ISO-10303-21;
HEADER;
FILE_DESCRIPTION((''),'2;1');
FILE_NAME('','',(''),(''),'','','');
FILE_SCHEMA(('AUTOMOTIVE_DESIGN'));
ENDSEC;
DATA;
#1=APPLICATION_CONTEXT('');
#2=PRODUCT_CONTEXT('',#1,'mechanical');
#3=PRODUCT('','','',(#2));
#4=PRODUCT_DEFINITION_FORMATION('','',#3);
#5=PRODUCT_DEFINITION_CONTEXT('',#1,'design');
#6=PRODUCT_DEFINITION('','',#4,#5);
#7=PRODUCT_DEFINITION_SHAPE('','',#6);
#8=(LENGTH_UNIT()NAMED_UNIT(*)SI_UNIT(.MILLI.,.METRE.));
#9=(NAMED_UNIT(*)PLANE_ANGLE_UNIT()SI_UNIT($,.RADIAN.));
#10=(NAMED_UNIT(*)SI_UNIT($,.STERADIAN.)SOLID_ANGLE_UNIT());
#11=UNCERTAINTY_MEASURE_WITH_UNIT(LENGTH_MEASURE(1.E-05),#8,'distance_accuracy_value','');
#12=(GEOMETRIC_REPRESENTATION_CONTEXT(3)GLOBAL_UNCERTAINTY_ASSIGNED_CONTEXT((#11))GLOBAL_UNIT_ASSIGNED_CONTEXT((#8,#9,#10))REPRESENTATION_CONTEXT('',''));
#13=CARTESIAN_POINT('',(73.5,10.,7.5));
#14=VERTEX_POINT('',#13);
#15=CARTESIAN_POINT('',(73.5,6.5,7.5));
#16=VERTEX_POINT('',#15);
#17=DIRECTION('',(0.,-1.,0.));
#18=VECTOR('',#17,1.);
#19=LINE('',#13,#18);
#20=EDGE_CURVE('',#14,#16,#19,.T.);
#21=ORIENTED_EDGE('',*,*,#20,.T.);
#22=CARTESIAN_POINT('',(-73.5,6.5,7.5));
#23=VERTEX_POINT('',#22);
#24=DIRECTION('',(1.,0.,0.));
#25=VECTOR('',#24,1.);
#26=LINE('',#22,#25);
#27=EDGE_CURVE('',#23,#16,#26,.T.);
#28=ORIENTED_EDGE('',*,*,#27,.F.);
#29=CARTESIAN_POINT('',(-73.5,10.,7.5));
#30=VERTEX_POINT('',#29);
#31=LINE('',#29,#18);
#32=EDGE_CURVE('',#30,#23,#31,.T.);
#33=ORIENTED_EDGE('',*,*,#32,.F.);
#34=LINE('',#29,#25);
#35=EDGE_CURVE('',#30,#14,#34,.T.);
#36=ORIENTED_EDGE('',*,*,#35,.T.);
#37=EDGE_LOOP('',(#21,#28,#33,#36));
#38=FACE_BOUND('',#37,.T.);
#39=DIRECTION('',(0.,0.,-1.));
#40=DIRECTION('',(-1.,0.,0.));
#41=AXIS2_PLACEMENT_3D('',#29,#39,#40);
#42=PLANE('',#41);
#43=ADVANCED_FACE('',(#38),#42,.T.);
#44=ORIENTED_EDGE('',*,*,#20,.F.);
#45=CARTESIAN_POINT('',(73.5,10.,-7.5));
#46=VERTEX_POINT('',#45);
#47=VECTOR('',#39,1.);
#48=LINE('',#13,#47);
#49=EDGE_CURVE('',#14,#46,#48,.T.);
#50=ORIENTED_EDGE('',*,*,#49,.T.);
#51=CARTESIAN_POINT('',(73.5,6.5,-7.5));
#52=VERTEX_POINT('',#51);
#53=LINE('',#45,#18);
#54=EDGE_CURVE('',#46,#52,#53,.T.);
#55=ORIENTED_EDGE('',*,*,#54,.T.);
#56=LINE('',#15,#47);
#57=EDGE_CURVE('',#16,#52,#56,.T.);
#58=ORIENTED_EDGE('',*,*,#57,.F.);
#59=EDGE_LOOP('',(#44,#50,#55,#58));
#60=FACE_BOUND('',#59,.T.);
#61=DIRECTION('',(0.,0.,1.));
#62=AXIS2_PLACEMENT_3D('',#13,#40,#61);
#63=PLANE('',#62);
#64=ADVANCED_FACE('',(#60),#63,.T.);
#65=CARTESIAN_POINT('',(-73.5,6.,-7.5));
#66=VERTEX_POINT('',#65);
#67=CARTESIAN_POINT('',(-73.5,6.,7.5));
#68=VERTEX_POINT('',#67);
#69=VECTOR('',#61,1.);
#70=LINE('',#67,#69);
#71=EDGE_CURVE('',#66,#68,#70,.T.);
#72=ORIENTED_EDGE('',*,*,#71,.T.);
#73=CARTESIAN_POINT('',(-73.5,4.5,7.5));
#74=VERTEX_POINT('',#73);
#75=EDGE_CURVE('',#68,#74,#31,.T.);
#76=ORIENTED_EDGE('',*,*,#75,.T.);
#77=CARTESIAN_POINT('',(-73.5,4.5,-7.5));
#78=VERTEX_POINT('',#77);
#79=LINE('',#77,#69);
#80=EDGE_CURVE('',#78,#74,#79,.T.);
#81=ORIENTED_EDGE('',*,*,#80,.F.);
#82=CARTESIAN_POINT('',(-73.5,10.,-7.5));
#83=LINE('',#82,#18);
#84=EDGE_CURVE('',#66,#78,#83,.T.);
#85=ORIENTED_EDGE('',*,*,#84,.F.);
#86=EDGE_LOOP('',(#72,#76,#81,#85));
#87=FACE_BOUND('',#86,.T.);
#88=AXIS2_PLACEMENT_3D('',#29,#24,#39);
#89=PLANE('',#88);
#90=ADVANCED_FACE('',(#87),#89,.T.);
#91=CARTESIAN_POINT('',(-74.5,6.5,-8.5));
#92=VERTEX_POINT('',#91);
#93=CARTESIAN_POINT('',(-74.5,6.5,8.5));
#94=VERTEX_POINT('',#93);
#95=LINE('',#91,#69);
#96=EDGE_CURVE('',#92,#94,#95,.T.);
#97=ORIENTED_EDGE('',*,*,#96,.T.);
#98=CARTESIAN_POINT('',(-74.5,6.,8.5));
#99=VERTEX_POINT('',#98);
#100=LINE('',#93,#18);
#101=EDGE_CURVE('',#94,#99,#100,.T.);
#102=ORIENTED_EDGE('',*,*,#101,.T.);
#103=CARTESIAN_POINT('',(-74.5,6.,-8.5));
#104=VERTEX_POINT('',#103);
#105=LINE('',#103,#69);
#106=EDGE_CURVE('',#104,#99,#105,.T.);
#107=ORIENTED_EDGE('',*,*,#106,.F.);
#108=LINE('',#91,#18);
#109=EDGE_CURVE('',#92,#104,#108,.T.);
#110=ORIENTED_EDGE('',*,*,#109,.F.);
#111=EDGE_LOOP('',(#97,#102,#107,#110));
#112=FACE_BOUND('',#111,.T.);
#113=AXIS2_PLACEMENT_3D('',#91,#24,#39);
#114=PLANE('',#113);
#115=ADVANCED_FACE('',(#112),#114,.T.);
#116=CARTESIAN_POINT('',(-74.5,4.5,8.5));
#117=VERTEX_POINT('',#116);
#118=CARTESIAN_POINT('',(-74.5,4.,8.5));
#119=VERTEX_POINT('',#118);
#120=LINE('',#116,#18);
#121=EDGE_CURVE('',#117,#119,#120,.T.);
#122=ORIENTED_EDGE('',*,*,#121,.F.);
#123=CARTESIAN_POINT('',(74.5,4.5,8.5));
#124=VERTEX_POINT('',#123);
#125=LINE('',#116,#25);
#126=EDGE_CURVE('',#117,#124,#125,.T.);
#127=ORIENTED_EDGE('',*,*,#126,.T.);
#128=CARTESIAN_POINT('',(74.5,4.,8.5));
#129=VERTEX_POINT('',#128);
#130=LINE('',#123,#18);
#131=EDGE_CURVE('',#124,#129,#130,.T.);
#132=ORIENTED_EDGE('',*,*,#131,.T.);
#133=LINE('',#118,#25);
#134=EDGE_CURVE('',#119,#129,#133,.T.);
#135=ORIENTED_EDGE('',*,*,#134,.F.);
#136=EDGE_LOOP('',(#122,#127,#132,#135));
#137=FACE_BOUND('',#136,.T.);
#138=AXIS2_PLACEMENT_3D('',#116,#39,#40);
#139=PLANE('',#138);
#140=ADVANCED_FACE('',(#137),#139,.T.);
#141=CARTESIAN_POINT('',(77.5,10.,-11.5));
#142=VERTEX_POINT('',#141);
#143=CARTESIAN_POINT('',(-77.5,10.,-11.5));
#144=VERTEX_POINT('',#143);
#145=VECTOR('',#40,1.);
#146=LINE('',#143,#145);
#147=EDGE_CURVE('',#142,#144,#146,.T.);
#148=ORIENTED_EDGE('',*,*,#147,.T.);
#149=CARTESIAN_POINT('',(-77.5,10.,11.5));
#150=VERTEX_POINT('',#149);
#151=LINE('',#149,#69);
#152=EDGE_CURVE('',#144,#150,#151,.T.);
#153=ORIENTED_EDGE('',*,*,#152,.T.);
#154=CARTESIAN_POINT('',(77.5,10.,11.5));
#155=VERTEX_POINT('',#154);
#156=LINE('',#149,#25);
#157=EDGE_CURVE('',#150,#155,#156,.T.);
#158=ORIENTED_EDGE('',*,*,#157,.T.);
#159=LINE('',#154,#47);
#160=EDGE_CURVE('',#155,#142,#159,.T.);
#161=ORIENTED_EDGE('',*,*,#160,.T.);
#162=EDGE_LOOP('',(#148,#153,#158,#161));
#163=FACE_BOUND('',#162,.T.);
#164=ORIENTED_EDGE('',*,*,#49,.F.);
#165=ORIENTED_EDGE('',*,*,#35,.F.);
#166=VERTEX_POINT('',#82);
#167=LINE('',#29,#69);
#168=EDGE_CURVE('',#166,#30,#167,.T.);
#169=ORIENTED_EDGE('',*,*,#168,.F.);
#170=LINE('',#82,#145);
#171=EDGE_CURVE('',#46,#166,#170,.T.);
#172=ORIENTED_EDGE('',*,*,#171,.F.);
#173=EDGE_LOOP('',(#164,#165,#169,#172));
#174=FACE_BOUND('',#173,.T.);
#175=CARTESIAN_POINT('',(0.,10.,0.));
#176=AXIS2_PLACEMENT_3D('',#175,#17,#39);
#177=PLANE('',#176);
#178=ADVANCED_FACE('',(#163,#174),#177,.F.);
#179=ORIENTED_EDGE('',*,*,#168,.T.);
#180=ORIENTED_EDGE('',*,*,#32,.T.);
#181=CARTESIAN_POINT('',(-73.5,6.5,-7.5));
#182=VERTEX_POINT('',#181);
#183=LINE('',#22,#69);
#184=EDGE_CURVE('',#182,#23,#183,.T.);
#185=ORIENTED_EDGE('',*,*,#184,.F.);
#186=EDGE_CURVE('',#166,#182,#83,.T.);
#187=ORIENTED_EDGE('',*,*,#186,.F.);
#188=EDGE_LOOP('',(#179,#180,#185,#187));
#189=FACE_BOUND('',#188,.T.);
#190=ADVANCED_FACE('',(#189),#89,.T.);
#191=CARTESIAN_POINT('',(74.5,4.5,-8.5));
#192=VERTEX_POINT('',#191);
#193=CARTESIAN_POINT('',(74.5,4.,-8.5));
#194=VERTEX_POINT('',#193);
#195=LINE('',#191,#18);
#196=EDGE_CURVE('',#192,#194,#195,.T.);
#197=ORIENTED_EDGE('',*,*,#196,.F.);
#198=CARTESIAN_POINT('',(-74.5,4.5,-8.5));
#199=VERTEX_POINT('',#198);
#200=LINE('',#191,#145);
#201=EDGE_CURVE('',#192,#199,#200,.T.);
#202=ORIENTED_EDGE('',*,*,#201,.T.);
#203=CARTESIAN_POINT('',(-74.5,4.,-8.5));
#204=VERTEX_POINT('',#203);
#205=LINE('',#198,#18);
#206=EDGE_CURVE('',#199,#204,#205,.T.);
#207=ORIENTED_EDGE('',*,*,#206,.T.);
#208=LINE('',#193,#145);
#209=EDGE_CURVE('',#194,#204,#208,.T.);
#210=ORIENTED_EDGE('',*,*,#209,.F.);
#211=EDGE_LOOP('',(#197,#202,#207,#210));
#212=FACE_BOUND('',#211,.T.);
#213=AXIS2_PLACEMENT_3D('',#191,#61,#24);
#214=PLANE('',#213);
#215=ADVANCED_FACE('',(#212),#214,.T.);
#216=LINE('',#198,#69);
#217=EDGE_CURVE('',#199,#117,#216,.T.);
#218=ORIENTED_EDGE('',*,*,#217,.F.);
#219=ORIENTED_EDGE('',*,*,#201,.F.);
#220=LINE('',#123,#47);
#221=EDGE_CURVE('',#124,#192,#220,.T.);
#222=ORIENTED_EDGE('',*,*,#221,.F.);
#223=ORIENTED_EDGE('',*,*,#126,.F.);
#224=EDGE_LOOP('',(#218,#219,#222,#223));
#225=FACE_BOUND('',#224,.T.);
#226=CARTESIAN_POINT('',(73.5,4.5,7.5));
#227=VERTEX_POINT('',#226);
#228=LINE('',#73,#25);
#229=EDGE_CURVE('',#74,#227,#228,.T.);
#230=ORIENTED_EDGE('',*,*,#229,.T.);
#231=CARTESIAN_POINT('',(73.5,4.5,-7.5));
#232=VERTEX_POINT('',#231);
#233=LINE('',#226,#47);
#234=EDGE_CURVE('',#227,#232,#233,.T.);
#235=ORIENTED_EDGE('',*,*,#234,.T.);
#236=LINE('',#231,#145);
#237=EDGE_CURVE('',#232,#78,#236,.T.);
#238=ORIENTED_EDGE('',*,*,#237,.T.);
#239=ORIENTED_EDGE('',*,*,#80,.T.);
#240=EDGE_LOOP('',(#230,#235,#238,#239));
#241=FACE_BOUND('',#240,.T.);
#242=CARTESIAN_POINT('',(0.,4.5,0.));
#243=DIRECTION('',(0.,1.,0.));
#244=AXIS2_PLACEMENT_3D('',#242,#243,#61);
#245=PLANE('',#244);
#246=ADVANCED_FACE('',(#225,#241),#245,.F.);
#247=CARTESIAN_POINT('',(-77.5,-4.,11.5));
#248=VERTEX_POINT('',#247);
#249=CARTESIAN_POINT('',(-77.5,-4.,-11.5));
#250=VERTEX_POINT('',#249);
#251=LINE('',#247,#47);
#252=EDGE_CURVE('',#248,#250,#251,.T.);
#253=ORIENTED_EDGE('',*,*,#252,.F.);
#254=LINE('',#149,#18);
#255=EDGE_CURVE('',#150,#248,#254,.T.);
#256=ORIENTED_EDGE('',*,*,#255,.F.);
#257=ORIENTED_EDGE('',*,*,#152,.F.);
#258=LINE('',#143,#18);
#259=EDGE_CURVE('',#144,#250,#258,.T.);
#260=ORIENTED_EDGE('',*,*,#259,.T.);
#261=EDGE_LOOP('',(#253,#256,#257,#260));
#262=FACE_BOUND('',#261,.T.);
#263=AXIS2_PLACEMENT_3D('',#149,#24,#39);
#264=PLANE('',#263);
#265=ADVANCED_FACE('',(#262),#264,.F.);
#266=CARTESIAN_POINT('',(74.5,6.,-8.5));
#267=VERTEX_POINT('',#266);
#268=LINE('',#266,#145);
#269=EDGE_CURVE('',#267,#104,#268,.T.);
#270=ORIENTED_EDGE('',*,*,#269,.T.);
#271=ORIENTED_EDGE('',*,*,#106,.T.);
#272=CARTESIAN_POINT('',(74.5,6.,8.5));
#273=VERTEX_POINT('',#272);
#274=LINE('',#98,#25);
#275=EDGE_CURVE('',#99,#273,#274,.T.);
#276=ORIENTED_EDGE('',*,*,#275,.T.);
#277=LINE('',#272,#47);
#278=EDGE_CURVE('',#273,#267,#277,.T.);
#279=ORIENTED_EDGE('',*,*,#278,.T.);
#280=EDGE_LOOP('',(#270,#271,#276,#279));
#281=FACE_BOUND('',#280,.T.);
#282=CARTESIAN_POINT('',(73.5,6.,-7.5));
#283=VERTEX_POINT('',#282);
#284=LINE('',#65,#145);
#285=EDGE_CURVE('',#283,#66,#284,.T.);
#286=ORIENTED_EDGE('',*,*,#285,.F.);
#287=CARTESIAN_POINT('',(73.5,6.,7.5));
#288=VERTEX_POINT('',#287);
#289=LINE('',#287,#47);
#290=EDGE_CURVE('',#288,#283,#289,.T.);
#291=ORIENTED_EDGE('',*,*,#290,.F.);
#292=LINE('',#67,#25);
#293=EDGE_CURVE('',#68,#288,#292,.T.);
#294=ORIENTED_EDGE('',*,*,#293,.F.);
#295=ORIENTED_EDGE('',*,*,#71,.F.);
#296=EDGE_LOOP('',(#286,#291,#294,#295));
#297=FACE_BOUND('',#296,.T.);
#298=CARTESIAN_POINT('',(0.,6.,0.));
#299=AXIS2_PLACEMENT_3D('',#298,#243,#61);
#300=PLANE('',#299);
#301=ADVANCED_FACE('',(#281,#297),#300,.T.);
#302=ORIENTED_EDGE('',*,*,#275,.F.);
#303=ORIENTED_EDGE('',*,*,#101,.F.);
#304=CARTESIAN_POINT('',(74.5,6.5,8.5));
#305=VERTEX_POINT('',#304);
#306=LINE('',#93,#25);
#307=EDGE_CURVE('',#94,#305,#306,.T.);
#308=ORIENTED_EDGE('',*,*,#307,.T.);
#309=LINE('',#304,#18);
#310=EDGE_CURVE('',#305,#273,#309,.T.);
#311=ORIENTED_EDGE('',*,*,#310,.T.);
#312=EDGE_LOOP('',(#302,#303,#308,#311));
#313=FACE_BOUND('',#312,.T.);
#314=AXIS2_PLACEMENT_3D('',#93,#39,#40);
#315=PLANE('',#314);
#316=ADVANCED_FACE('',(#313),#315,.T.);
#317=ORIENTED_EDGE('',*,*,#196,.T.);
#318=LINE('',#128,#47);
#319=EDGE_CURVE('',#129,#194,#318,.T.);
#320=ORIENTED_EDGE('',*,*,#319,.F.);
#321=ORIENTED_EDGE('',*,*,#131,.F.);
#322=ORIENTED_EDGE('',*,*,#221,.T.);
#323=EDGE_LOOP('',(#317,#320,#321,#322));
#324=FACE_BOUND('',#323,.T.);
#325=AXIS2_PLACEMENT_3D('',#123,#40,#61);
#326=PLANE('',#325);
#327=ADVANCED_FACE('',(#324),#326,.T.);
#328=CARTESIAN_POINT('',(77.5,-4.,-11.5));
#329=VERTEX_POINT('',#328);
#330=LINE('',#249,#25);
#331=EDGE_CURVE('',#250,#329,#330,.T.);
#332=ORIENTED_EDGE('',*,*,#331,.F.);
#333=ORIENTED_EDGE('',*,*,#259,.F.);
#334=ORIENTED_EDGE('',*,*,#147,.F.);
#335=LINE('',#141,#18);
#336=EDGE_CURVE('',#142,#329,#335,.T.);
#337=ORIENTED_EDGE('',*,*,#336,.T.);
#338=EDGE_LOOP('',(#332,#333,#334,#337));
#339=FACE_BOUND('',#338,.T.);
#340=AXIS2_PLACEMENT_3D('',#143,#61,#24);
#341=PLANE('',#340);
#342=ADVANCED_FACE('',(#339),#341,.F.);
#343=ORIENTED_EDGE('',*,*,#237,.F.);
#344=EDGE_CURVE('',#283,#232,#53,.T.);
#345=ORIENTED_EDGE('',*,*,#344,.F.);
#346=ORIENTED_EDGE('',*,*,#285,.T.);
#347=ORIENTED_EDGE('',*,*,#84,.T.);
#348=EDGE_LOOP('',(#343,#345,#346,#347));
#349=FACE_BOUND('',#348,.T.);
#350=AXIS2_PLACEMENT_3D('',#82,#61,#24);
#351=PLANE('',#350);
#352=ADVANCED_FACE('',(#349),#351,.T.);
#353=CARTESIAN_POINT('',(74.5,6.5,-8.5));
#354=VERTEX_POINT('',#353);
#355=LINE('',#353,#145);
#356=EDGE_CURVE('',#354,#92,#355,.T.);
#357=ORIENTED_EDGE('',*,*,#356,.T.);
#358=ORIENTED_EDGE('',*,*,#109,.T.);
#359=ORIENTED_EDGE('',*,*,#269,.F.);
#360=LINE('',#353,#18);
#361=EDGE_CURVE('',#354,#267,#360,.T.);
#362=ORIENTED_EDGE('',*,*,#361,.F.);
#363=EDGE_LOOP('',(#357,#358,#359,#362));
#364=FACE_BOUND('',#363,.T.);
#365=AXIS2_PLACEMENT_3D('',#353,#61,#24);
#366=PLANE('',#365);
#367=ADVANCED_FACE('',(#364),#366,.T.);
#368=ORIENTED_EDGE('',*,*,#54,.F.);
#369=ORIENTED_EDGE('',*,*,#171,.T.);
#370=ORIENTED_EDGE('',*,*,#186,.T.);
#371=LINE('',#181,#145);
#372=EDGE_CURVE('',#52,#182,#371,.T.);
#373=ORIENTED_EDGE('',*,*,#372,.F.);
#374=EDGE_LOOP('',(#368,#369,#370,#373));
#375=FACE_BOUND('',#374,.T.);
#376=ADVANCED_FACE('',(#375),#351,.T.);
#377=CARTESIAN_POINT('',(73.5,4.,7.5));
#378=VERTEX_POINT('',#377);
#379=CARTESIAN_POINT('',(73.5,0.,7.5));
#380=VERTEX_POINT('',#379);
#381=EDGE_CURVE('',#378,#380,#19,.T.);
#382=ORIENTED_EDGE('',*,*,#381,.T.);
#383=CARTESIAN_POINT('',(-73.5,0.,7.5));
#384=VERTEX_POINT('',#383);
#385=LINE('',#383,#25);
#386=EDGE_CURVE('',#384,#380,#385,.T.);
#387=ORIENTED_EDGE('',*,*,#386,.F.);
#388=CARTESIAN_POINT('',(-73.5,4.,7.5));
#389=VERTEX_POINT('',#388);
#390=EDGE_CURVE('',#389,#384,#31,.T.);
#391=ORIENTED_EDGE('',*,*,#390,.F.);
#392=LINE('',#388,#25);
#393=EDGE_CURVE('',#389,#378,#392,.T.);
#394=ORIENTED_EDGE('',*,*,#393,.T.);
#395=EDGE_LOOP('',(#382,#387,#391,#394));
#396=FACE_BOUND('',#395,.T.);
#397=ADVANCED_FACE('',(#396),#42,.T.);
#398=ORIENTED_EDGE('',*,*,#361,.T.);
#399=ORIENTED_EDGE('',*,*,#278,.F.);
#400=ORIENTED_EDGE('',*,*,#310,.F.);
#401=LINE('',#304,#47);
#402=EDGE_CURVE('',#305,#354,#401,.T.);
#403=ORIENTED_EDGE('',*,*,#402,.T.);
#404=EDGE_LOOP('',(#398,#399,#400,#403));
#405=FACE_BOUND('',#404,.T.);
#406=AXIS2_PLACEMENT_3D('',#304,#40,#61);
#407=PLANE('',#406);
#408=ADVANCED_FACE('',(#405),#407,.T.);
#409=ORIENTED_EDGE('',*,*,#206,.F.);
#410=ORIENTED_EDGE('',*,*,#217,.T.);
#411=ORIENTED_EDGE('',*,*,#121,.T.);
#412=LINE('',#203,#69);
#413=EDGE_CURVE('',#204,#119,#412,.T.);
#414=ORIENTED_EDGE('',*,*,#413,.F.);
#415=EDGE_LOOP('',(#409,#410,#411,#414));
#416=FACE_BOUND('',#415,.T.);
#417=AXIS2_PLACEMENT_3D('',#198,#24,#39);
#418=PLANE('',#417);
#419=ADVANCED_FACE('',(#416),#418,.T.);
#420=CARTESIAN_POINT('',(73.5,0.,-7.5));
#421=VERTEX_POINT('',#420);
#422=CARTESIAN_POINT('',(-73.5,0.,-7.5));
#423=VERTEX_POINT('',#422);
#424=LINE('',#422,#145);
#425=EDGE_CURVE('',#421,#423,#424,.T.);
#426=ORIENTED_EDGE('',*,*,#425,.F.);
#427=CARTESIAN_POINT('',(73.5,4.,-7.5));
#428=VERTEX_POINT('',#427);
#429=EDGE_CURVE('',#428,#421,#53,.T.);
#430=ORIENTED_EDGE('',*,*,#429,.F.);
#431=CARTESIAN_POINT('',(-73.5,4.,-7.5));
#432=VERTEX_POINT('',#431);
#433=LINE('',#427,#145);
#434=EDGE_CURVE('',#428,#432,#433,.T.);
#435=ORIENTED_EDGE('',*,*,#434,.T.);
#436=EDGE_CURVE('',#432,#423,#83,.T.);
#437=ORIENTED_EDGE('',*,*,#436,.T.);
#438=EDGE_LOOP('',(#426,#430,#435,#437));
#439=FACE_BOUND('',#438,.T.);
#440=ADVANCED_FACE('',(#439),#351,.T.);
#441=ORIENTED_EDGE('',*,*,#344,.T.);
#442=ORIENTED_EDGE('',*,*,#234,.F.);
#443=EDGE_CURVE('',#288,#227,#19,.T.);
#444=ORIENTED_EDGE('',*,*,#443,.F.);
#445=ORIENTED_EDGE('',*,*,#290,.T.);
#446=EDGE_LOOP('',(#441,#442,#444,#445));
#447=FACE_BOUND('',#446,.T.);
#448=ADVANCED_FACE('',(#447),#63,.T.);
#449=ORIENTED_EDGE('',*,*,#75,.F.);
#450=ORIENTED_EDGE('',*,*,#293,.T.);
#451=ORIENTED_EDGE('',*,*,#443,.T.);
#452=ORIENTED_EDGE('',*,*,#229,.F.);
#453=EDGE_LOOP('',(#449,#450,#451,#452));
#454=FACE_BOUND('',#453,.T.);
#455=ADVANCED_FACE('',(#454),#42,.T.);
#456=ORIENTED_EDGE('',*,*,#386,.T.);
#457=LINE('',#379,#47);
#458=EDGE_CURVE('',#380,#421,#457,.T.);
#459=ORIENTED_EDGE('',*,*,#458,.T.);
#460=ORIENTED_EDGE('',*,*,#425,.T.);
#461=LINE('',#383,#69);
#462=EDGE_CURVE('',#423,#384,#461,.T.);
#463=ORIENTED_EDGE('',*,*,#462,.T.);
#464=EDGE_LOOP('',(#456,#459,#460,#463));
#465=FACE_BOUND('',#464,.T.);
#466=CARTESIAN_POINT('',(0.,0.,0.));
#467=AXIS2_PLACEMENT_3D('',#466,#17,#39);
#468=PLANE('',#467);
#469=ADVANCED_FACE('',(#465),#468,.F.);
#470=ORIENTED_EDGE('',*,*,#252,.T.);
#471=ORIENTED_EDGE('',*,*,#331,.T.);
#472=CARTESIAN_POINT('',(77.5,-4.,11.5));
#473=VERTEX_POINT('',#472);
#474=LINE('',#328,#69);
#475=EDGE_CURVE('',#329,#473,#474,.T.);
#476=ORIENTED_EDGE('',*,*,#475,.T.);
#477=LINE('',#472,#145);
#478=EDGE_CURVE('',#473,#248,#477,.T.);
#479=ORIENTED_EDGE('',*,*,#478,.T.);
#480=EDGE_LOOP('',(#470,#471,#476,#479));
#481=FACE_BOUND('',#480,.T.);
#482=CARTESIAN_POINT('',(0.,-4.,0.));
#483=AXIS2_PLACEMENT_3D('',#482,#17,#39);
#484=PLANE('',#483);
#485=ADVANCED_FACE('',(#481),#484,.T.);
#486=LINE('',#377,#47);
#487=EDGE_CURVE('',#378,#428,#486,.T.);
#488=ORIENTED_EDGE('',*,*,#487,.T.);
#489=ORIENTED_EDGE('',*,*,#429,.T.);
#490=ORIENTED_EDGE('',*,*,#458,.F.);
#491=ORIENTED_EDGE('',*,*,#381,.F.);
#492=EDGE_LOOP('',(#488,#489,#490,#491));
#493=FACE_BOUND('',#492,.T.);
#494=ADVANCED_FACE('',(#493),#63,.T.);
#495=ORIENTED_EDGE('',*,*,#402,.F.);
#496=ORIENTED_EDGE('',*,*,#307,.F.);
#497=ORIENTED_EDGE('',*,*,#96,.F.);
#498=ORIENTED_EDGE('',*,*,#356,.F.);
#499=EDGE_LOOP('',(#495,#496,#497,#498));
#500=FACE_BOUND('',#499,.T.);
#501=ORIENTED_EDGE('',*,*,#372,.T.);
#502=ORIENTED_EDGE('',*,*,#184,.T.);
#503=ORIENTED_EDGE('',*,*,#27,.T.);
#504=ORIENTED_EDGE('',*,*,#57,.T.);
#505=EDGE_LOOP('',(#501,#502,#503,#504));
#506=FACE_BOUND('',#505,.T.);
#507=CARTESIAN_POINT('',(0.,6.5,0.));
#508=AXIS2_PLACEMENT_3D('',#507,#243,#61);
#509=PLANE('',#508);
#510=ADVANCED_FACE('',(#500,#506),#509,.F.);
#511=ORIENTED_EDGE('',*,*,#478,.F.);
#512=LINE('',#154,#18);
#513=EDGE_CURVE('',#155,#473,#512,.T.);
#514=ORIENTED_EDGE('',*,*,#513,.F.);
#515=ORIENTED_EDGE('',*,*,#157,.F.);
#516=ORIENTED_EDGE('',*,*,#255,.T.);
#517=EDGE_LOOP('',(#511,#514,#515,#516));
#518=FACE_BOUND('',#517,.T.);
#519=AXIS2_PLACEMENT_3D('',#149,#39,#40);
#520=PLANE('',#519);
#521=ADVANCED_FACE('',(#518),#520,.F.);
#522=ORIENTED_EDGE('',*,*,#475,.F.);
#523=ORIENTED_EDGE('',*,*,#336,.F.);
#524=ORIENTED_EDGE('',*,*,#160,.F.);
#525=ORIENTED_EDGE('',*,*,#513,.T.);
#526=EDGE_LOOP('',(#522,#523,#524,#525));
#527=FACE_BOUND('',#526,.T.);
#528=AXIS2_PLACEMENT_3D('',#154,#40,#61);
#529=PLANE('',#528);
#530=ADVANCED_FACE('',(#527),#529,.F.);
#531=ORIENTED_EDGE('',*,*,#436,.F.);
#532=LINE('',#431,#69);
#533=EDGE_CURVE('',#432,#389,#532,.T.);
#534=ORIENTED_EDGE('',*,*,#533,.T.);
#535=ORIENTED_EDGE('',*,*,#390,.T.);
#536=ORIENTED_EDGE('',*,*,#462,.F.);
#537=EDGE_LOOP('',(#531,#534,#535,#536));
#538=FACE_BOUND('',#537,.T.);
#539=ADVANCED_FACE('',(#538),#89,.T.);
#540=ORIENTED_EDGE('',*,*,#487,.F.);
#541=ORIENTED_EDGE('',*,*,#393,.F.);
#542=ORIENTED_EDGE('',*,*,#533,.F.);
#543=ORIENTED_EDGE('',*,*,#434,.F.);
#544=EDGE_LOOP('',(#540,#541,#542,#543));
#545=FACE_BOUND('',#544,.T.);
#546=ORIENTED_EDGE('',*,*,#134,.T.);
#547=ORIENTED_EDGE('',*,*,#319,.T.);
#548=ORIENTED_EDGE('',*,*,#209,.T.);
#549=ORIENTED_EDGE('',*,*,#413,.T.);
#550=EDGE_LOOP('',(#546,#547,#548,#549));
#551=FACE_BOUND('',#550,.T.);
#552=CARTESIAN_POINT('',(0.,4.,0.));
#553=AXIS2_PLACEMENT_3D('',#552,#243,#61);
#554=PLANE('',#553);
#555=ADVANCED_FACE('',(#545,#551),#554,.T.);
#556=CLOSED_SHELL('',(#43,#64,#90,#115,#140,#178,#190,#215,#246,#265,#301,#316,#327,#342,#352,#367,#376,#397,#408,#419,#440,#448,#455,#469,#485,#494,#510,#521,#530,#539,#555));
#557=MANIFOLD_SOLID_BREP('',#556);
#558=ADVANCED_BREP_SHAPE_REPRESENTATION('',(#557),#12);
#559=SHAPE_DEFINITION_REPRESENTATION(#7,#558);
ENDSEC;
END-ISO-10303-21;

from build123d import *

# Parameters (mm, degrees)
SKIZZE1_W                       = 155
SKIZZE1_H                       = 23
SKIZZE1_W_2                     = 147
SKIZZE1_H_2                     = 15
AUFSATZ_LINEAR_AUSTRAGEN1_DEPTH = 10
SKIZZE3_W                       = 155
SKIZZE3_H                       = 23
AUFSATZ_LINEAR_AUSTRAGEN3_DEPTH = 4
SKIZZE4_W                       = 149
SKIZZE4_H                       = 17
SKIZZE4_W_2                     = 147
SKIZZE4_H_2                     = 15
SCHNITT_LINEAR_AUSTRAGEN1_DEPTH = 0.5
SKIZZE5_W                       = 149
SKIZZE5_H                       = 17
SCHNITT_LINEAR_AUSTRAGEN2_DEPTH = 0.5


with BuildPart() as part:
    # Skizze1 → Aufsatz-Linear austragen1 (new body)
    with BuildSketch(Plane(origin=(0, 0, 0), x_dir=(1, 0, 0), z_dir=(0, 1, 0))):
        Rectangle(SKIZZE1_W, SKIZZE1_H)
        Rectangle(SKIZZE1_W_2, SKIZZE1_H_2, mode=Mode.SUBTRACT)
    extrude(amount=AUFSATZ_LINEAR_AUSTRAGEN1_DEPTH)

    # Skizze3 → Aufsatz-Linear austragen3 (add)
    with BuildSketch(Plane.XZ):
        Rectangle(SKIZZE3_W, SKIZZE3_H)
    extrude(amount=AUFSATZ_LINEAR_AUSTRAGEN3_DEPTH)

    # Skizze4 → Schnitt-Linear austragen1 (cut)
    with BuildSketch(Plane(origin=(0, 4, 0), x_dir=(1, 0, 0), z_dir=(0, 1, 0))):
        Rectangle(SKIZZE4_W, SKIZZE4_H)
        Rectangle(SKIZZE4_W_2, SKIZZE4_H_2, mode=Mode.SUBTRACT)
    extrude(amount=SCHNITT_LINEAR_AUSTRAGEN1_DEPTH, mode=Mode.SUBTRACT)

    # Skizze5 → Schnitt-Linear austragen2 (cut)
    with BuildSketch(Plane(origin=(0, 6, 0), x_dir=(1, 0, 0), z_dir=(0, 1, 0))):
        Rectangle(SKIZZE5_W, SKIZZE5_H)
    extrude(amount=SCHNITT_LINEAR_AUSTRAGEN2_DEPTH, mode=Mode.SUBTRACT)


solid = part.part
